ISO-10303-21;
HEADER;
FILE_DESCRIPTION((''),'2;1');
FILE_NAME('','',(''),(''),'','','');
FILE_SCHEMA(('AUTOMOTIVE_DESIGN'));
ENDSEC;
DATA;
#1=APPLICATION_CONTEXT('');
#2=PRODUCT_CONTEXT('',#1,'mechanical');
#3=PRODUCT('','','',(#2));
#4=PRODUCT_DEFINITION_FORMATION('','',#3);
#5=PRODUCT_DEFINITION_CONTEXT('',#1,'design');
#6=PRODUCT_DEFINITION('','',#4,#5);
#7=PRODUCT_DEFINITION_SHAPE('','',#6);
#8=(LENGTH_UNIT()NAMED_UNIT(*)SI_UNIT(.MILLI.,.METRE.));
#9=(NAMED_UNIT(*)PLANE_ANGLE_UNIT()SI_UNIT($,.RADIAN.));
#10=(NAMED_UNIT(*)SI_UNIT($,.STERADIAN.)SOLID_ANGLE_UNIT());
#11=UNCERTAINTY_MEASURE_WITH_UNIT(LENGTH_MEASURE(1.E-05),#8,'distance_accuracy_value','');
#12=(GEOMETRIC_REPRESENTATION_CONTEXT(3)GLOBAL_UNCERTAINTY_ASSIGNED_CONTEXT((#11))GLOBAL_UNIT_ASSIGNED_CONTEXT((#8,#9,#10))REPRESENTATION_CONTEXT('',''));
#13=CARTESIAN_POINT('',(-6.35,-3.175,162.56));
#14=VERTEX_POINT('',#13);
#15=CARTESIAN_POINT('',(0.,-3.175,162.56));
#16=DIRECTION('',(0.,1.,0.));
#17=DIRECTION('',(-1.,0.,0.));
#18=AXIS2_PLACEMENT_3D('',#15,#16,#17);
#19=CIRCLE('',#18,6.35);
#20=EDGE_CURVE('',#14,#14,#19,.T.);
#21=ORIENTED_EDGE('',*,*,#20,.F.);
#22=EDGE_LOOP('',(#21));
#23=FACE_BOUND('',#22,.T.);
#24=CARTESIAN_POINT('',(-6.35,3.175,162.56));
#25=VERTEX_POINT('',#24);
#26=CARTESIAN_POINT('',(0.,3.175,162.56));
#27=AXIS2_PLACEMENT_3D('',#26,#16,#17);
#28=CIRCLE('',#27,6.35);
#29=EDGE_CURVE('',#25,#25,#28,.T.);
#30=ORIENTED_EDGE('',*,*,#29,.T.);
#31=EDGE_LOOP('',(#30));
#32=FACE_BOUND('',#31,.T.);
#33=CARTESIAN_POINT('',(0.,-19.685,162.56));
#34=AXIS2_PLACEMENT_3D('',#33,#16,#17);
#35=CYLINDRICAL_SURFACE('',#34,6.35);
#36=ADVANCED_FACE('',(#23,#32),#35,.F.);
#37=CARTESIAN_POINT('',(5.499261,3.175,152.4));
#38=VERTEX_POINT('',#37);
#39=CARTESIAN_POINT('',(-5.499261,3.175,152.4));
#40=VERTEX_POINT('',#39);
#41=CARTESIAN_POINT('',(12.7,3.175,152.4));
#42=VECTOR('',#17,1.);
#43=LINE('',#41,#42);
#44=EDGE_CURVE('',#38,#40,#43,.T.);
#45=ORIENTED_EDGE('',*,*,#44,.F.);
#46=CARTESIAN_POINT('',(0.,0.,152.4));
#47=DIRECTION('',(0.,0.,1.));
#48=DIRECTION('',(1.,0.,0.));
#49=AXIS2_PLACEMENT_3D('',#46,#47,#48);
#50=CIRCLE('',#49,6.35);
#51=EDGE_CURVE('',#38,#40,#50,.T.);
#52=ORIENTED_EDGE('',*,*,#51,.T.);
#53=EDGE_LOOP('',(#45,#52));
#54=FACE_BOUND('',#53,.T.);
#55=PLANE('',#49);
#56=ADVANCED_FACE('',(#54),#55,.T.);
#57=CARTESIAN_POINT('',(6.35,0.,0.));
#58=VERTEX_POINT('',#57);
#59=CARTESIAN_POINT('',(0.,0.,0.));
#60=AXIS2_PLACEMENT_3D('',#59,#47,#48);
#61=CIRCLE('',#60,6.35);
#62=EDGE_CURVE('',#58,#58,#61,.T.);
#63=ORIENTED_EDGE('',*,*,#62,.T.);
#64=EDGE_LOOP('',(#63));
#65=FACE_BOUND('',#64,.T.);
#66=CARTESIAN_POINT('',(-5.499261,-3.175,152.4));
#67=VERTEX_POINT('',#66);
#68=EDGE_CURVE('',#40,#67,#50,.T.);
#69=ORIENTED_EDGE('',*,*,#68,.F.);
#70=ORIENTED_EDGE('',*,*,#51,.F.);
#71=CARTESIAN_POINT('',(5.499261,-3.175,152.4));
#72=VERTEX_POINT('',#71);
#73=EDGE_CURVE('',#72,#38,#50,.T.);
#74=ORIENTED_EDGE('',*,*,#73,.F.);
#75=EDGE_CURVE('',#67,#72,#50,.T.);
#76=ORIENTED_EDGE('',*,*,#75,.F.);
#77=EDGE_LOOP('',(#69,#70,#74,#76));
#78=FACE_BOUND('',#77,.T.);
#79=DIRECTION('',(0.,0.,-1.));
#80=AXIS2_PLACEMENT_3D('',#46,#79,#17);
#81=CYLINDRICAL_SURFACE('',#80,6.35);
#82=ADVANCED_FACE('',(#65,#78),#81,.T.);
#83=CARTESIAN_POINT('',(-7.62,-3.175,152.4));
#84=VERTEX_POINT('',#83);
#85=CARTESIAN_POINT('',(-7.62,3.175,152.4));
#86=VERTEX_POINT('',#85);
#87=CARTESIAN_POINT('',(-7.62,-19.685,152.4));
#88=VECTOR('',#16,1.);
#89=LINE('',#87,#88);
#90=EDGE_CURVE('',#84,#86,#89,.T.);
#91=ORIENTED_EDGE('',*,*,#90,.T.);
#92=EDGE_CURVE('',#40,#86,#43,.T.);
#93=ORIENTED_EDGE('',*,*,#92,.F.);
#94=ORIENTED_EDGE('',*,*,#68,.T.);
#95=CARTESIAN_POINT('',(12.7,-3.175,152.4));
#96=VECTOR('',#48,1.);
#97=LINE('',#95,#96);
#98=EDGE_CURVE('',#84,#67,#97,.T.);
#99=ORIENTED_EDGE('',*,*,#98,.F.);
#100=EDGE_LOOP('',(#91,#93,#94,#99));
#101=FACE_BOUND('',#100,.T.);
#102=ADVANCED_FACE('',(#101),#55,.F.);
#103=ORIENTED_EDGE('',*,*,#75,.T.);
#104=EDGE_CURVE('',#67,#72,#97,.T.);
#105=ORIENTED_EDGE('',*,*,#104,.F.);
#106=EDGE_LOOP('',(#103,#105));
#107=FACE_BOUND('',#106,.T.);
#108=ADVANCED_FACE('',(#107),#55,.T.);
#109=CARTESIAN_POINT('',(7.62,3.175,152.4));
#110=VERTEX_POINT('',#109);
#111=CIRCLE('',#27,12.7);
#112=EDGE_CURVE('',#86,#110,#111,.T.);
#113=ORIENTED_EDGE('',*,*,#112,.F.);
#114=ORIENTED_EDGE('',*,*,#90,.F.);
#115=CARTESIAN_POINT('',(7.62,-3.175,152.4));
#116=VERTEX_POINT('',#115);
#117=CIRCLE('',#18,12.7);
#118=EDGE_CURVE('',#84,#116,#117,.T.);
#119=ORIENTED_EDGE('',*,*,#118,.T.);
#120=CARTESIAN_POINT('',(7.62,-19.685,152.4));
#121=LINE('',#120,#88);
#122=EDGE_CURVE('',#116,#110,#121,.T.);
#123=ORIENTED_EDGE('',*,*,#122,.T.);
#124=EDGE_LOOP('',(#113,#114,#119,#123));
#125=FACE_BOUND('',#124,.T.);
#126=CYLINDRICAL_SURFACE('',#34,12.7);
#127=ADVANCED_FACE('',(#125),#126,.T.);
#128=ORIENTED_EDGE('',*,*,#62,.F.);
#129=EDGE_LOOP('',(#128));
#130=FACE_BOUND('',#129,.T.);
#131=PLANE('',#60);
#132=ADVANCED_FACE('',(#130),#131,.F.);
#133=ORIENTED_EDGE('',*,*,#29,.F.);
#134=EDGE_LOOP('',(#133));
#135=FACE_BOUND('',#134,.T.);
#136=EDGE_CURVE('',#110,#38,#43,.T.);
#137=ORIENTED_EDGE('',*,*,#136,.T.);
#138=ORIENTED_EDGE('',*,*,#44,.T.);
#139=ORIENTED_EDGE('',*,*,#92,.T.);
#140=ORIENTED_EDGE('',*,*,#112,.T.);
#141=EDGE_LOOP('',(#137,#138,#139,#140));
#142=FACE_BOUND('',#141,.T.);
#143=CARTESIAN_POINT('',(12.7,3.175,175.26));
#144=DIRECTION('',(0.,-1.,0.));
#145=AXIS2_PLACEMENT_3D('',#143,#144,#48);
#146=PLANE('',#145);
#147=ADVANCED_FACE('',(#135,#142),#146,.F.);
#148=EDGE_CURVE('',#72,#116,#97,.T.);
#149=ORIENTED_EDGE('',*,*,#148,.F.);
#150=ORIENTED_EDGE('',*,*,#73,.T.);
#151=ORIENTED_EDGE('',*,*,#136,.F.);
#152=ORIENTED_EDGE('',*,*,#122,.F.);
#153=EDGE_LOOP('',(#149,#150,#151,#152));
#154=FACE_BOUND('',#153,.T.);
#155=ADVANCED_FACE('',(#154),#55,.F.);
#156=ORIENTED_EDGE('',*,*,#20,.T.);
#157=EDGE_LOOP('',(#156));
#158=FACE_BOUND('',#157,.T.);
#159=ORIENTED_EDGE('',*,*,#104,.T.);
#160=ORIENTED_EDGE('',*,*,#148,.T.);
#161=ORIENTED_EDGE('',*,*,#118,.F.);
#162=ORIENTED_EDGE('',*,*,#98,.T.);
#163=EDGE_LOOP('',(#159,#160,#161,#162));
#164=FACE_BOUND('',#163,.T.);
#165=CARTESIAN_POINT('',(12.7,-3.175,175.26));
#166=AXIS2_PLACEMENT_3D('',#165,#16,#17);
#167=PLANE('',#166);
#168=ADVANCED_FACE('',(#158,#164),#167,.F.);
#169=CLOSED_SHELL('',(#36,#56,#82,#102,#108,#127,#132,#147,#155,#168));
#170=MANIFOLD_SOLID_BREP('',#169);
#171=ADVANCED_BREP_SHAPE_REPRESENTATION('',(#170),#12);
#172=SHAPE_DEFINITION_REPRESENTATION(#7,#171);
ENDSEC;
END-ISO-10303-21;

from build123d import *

# Parameters (mm, degrees)
SKETCH1_R           = 6.35
BOSS_EXTRUDE1_DEPTH = 152.4
SKETCH2_W           = 25.4
SKETCH2_H           = 6.35
BOSS_EXTRUDE2_DEPTH = 22.86
SKETCH3_R           = 6.35
CUT_EXTRUDE1_DEPTH  = 22.86


with BuildPart() as part:
    # Sketch1 → Boss-Extrude1 (new body)
    with BuildSketch(Plane.XY):
        Circle(SKETCH1_R)
    extrude(amount=BOSS_EXTRUDE1_DEPTH)

    # Sketch2 → Boss-Extrude2 (add)
    with BuildSketch(Plane.XY.offset(152.4)):
        Rectangle(SKETCH2_W, SKETCH2_H)
    extrude(amount=BOSS_EXTRUDE2_DEPTH)

    # Sketch3 → Cut-Extrude1 (cut)
    with BuildSketch(Plane(origin=(0, 3.175, 0), x_dir=(1, 0, 0), z_dir=(0, 1, 0))):
        with Locations((0, -162.56)):
            Circle(SKETCH3_R)
        with BuildLine():
            ThreePointArc((12.7, -162.56), (8.980256121, -171.540256121), (0, -175.26))
            Line((0, -175.26), (12.7, -175.26))
            Line((12.7, -175.26), (12.7, -162.56))
        make_face()
        with BuildLine():
            Line((-12.7, -175.26), (0, -175.26))
            ThreePointArc((0, -175.26), (-8.980256121, -171.540256121), (-12.7, -162.56))
            Line((-12.7, -162.56), (-12.7, -175.26))
        make_face()
        with BuildLine():
            ThreePointArc((7.62, -152.4), (11.359225326, -156.880387337), (12.7, -162.56))
            Line((12.7, -162.56), (12.7, -152.4))
            Line((12.7, -152.4), (7.62, -152.4))
        make_face()
        with BuildLine():
            Line((-12.7, -152.4), (-12.7, -162.56))
            ThreePointArc((-12.7, -162.56), (-11.359225326, -156.880387337), (-7.62, -152.4))
            Line((-7.62, -152.4), (-12.7, -152.4))
        make_face()
    extrude(amount=-CUT_EXTRUDE1_DEPTH, mode=Mode.SUBTRACT)


solid = part.part
